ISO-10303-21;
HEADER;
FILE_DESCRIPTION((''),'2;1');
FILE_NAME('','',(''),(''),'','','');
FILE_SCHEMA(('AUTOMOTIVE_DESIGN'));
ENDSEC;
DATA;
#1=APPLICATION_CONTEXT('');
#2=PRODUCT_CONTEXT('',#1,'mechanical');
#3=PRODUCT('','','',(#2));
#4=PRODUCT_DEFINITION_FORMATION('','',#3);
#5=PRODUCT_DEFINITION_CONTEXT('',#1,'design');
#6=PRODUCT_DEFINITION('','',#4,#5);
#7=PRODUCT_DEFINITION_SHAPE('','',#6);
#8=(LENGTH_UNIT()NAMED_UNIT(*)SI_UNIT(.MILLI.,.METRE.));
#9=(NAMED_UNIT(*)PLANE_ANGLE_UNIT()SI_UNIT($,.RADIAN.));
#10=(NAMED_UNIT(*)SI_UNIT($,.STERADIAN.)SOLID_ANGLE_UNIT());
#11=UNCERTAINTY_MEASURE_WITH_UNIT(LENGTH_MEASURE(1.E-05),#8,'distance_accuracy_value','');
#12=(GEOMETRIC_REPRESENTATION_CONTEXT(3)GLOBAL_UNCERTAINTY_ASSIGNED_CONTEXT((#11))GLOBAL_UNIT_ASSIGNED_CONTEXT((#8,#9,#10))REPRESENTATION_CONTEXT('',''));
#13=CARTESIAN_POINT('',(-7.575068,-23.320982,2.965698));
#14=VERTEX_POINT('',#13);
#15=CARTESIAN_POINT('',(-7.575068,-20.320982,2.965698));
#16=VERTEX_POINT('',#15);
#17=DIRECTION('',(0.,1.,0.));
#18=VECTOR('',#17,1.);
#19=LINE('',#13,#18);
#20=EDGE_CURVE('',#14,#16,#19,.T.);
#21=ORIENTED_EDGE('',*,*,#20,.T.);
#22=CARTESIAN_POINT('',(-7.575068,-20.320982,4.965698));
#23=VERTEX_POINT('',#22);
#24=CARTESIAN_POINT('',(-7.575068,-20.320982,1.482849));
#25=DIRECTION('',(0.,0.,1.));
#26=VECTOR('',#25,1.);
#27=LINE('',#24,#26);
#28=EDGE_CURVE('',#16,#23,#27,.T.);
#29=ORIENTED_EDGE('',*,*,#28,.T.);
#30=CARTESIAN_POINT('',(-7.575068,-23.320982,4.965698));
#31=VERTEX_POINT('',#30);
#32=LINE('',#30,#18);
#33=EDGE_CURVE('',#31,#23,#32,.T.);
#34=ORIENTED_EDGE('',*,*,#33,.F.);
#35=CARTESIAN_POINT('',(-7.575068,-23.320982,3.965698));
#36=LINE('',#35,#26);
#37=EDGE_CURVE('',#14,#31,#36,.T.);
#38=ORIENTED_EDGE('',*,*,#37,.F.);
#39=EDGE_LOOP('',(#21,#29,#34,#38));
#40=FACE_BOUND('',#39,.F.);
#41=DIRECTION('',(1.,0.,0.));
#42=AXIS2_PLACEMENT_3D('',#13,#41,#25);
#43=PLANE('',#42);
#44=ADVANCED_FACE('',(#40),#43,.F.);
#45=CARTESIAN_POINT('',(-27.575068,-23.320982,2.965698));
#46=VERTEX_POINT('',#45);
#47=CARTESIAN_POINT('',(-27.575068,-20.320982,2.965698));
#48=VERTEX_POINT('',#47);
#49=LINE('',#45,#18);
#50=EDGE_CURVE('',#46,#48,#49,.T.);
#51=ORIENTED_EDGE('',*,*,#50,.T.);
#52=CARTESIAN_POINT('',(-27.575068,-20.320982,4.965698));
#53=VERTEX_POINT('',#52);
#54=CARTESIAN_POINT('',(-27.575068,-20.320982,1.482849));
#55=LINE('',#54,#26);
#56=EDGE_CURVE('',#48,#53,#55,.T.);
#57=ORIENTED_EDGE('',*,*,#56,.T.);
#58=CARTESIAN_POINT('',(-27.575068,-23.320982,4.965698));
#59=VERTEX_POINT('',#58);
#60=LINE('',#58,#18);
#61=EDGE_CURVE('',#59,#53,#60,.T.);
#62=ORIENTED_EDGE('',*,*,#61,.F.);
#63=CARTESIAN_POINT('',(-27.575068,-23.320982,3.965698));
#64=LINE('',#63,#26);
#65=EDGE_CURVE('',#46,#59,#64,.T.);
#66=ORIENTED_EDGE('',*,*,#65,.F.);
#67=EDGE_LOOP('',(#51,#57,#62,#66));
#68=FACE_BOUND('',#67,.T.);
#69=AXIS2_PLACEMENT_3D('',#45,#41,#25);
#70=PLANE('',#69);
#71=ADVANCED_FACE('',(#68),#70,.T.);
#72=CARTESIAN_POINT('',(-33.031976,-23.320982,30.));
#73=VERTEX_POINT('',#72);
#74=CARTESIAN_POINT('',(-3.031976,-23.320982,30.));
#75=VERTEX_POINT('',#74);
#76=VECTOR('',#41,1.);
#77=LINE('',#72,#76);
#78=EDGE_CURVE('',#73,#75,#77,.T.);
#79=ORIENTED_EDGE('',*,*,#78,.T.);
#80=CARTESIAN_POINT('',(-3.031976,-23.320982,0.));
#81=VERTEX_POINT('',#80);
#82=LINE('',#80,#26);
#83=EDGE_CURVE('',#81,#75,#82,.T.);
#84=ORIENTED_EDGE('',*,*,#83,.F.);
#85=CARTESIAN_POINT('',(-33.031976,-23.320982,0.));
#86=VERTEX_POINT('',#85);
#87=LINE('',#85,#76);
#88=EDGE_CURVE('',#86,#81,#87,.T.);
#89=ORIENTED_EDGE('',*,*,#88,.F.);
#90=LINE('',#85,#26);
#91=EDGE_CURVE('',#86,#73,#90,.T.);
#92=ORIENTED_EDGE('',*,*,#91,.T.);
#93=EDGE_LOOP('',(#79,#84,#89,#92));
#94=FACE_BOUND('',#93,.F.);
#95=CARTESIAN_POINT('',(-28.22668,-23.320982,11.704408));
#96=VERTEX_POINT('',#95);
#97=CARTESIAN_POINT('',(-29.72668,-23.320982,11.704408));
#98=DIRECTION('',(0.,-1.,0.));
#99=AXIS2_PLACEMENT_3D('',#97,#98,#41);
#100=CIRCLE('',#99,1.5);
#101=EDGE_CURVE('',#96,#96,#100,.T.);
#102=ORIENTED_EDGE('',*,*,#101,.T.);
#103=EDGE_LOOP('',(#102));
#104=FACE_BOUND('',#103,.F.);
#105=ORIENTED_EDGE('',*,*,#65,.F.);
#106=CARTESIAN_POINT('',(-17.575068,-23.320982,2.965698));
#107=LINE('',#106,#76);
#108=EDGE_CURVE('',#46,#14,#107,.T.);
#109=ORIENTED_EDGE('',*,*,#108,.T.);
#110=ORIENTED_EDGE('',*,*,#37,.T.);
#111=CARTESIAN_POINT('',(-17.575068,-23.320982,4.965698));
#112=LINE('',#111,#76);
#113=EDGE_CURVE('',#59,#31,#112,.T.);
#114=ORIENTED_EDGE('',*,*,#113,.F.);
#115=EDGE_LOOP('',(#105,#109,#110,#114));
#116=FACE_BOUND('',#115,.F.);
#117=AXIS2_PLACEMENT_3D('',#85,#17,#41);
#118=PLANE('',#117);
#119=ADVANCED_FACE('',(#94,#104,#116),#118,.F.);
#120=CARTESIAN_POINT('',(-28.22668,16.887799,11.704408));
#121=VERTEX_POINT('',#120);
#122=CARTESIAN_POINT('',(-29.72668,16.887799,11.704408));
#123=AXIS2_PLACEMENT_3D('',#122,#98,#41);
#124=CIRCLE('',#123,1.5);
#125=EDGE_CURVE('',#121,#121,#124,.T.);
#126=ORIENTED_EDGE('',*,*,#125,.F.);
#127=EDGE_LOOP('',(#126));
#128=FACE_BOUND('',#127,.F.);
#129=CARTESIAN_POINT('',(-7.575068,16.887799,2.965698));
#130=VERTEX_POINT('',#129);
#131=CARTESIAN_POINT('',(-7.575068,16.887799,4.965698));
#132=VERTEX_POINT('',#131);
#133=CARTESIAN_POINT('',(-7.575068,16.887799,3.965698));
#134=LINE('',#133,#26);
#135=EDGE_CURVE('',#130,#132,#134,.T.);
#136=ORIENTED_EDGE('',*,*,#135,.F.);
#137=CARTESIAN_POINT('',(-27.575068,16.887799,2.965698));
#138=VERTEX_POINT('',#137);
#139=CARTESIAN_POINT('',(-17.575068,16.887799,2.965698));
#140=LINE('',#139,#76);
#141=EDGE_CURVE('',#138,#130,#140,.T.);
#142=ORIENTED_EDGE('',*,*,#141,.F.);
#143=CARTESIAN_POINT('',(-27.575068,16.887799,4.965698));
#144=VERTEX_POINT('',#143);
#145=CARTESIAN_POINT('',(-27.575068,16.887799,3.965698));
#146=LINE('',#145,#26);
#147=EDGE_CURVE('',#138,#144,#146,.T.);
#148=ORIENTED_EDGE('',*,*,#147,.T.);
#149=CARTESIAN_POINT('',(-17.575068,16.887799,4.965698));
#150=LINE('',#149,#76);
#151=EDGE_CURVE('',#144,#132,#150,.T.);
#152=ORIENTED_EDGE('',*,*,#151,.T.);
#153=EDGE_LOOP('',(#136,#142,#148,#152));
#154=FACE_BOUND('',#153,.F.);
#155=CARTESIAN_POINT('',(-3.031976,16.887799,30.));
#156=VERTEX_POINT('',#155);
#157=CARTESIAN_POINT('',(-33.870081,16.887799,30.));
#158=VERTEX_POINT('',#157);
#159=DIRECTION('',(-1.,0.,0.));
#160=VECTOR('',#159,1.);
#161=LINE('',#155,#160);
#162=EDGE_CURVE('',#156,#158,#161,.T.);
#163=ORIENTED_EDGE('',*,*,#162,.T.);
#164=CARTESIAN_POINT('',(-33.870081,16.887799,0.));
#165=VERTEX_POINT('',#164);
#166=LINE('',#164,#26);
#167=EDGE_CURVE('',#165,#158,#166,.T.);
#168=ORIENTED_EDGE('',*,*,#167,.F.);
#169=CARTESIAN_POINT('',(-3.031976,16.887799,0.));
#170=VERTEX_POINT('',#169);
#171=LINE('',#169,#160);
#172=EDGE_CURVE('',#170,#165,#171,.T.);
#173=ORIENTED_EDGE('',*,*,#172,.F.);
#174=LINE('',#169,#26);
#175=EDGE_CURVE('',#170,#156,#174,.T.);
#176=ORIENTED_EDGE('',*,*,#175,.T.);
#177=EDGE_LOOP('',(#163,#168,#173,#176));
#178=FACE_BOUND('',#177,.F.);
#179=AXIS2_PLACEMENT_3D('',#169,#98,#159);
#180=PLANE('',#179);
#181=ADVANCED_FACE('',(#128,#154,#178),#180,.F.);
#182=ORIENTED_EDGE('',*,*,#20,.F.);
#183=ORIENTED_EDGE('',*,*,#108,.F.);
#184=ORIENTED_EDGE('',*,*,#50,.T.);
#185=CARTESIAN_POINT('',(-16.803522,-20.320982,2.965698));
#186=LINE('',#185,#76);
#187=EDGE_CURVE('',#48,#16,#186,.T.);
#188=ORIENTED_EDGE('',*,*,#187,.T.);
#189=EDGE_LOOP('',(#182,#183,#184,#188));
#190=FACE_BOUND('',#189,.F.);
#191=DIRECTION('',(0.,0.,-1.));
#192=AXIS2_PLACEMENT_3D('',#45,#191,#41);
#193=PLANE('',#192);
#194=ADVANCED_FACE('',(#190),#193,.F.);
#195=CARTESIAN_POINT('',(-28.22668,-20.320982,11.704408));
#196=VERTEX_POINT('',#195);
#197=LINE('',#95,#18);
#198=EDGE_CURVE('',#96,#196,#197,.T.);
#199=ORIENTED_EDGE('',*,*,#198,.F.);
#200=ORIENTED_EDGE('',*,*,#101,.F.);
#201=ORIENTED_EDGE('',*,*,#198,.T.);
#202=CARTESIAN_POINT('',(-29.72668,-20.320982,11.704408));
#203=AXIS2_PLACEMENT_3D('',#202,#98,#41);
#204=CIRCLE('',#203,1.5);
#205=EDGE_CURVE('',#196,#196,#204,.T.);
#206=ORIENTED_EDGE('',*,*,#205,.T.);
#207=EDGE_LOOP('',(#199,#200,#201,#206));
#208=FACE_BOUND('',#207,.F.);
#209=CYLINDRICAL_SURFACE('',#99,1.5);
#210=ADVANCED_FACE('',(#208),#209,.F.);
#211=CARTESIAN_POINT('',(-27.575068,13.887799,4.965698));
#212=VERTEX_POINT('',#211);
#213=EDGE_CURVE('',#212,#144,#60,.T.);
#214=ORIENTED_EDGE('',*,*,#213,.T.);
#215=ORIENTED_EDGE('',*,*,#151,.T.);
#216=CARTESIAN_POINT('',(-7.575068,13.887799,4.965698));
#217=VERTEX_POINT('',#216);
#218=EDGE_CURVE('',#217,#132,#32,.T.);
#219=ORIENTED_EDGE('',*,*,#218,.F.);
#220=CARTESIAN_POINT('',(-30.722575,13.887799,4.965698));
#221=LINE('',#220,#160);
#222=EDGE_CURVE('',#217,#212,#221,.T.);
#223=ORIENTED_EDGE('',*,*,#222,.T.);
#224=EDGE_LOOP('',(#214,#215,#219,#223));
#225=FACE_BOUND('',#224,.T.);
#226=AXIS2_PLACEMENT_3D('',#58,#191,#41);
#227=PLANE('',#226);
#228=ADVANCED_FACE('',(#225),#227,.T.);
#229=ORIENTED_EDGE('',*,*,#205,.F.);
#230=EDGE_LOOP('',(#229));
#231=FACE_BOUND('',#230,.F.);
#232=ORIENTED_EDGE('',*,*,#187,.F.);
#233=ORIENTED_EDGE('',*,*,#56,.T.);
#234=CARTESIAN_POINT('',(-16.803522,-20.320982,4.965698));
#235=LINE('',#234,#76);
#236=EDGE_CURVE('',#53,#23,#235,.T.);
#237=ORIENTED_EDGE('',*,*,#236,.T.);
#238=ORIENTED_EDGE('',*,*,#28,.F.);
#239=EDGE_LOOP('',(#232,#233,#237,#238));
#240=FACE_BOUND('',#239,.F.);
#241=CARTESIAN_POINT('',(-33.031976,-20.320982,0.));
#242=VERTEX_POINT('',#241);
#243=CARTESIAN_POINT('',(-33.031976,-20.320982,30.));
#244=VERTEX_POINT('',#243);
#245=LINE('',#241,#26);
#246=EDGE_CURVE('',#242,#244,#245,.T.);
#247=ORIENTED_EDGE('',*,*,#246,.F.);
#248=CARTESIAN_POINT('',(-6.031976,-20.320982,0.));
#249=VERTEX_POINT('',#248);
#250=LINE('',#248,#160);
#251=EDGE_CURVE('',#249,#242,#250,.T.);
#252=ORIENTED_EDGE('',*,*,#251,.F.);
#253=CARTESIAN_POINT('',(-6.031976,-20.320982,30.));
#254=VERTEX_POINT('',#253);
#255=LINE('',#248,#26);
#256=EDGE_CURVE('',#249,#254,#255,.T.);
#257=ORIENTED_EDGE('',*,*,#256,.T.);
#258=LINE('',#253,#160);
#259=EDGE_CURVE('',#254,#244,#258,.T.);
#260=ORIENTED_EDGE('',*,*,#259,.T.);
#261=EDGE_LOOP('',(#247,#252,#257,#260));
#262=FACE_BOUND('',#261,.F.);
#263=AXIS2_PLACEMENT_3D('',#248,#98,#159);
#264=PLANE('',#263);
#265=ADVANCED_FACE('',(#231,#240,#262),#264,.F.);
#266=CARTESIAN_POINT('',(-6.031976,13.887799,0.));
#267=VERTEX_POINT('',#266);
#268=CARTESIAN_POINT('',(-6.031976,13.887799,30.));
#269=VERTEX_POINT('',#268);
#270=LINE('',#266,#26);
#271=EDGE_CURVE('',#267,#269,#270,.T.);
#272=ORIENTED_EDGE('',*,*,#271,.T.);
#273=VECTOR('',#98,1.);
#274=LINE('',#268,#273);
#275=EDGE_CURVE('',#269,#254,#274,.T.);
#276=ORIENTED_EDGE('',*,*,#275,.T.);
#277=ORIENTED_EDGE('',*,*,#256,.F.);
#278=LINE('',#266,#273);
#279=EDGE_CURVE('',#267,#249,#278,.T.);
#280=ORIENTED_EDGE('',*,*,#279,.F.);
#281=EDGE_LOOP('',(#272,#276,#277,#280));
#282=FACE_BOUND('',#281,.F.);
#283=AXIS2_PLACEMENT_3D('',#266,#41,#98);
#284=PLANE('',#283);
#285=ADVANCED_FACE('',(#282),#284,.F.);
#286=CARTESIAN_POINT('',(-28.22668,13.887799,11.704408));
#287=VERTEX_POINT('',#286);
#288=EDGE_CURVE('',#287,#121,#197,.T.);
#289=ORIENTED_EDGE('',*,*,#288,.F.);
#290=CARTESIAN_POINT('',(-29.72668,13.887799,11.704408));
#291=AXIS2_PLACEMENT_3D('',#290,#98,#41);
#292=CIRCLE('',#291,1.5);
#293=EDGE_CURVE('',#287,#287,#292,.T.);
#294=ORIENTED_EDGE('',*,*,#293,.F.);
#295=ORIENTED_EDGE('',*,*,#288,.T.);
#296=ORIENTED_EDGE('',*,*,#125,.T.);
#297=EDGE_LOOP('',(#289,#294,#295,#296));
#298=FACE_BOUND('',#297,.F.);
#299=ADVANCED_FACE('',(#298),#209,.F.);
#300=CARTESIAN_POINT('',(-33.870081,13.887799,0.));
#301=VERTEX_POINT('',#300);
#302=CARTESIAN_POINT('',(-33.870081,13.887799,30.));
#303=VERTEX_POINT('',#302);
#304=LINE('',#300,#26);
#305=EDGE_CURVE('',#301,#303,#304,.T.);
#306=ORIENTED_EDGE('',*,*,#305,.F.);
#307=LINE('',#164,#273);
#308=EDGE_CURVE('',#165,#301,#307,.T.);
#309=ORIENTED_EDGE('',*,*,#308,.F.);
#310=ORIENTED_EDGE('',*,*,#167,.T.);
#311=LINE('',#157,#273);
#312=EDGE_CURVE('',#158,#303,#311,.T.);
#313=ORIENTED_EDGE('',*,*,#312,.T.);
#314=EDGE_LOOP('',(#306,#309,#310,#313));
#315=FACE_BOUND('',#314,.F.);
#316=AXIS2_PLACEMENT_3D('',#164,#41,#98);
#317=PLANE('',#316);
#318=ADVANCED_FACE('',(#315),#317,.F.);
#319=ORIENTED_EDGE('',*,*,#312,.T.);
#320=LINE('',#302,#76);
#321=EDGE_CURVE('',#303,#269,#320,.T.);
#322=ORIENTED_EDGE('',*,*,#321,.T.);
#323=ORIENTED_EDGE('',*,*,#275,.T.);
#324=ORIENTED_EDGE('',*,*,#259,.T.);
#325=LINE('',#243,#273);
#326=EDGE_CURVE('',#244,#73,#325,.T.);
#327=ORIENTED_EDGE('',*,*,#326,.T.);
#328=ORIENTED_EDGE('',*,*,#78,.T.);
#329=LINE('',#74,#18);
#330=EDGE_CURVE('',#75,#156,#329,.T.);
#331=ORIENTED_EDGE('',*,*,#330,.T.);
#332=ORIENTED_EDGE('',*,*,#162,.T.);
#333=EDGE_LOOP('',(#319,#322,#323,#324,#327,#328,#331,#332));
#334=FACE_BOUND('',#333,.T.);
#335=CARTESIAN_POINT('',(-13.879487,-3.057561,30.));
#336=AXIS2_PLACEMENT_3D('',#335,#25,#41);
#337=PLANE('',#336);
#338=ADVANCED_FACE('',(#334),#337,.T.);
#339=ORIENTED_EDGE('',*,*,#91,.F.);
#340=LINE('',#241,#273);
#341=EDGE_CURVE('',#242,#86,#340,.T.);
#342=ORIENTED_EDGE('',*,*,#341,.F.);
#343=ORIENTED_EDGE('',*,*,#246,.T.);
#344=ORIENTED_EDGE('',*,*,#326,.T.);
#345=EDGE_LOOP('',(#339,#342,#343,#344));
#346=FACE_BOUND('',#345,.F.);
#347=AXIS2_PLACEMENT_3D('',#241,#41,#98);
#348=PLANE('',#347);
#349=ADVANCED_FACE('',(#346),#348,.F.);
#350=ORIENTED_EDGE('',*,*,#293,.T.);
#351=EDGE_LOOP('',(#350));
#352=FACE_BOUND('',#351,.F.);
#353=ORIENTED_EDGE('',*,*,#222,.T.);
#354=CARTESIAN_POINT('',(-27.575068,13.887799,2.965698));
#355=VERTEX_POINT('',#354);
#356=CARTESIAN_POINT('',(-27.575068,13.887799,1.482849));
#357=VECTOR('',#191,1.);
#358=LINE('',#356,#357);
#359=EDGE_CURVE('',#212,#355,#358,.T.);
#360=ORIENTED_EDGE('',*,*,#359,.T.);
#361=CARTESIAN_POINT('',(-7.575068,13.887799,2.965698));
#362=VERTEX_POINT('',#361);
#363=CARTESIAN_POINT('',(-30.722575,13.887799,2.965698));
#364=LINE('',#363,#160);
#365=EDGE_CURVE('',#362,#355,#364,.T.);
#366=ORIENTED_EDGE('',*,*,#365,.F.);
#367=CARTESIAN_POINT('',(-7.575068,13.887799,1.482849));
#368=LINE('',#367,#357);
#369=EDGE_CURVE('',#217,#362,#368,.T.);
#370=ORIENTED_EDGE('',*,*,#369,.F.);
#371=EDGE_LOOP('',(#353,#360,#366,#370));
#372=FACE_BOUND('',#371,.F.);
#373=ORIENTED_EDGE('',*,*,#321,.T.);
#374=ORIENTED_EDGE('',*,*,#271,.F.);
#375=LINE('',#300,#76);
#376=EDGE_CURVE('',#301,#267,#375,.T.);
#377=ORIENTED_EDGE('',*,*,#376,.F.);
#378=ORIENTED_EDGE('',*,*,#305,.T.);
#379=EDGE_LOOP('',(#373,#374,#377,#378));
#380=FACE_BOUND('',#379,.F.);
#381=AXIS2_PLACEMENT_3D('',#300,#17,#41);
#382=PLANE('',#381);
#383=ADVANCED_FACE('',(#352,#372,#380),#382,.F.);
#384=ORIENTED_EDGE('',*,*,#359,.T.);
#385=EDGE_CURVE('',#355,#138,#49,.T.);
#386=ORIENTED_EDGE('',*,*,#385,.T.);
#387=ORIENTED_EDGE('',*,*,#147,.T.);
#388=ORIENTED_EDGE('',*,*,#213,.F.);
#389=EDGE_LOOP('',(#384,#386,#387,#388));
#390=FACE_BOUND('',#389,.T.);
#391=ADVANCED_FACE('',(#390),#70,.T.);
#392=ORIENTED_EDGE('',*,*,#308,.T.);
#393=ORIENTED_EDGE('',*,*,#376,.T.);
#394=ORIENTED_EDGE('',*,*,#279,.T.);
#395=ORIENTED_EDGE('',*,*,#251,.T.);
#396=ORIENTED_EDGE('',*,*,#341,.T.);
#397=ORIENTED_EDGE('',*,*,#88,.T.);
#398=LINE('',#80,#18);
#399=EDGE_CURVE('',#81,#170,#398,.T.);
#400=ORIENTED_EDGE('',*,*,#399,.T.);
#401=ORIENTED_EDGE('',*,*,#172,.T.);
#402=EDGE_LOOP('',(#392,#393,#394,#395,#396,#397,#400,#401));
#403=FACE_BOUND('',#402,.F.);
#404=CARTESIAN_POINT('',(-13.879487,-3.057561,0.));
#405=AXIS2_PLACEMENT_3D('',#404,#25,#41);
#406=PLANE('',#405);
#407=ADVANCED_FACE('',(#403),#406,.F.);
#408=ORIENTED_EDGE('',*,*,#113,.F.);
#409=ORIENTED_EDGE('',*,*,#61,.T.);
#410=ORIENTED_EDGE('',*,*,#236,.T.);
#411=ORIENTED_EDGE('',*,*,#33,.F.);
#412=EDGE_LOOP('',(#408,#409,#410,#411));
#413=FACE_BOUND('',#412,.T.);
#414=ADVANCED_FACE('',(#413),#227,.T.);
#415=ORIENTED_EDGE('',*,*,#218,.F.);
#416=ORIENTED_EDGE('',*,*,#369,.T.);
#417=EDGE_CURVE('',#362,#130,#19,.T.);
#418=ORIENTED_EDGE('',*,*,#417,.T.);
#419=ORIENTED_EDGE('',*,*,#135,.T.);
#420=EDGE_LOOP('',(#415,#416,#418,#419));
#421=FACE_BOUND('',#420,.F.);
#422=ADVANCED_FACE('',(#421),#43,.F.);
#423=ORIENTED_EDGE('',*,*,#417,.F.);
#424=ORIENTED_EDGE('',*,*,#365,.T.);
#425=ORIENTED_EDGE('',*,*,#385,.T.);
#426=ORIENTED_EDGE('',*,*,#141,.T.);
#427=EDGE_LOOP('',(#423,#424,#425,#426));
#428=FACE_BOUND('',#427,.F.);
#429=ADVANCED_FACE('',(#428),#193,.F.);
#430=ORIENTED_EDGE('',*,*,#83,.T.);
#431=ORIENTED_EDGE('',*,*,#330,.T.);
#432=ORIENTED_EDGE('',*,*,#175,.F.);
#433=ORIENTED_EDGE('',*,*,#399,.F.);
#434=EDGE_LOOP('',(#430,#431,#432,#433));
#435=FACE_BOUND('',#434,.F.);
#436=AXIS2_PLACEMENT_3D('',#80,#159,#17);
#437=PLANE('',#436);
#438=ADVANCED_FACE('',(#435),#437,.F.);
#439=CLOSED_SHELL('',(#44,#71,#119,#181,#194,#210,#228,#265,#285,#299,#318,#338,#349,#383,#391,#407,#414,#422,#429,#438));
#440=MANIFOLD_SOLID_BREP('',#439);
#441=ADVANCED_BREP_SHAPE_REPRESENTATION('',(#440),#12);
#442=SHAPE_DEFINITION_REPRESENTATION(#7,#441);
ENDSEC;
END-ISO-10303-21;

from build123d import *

# Parameters (mm, degrees)
F1_DEPTH = 30
F2_W     = 20
F2_H     = 2
F2_R     = 1.5
F3_DEPTH = 40.208781


with BuildPart() as f1:
    # F0 (on Top) → F1 (new body)
    with BuildSketch(Plane.XY):
        Polygon((-33.870081, 16.887799), (-33.870081, 13.887799), (-6.031976, 13.887799), (-6.031976, -20.320982), (-33.031976, -20.320982), (-33.031976, -23.320982), (-3.031976, -23.320982), (-3.031976, 16.887799), align=None)
    extrude(amount=F1_DEPTH)

    # F2 (on face) → F3 (cut, through all)
    with BuildSketch(Plane.XZ.offset(23.320982)):
        with Locations((-17.575068, 3.965698)):
            Rectangle(F2_W, F2_H)
        with Locations((-29.72668, 11.704408)):
            Circle(F2_R)
    extrude(amount=-F3_DEPTH, mode=Mode.SUBTRACT)


solid = f1.part
